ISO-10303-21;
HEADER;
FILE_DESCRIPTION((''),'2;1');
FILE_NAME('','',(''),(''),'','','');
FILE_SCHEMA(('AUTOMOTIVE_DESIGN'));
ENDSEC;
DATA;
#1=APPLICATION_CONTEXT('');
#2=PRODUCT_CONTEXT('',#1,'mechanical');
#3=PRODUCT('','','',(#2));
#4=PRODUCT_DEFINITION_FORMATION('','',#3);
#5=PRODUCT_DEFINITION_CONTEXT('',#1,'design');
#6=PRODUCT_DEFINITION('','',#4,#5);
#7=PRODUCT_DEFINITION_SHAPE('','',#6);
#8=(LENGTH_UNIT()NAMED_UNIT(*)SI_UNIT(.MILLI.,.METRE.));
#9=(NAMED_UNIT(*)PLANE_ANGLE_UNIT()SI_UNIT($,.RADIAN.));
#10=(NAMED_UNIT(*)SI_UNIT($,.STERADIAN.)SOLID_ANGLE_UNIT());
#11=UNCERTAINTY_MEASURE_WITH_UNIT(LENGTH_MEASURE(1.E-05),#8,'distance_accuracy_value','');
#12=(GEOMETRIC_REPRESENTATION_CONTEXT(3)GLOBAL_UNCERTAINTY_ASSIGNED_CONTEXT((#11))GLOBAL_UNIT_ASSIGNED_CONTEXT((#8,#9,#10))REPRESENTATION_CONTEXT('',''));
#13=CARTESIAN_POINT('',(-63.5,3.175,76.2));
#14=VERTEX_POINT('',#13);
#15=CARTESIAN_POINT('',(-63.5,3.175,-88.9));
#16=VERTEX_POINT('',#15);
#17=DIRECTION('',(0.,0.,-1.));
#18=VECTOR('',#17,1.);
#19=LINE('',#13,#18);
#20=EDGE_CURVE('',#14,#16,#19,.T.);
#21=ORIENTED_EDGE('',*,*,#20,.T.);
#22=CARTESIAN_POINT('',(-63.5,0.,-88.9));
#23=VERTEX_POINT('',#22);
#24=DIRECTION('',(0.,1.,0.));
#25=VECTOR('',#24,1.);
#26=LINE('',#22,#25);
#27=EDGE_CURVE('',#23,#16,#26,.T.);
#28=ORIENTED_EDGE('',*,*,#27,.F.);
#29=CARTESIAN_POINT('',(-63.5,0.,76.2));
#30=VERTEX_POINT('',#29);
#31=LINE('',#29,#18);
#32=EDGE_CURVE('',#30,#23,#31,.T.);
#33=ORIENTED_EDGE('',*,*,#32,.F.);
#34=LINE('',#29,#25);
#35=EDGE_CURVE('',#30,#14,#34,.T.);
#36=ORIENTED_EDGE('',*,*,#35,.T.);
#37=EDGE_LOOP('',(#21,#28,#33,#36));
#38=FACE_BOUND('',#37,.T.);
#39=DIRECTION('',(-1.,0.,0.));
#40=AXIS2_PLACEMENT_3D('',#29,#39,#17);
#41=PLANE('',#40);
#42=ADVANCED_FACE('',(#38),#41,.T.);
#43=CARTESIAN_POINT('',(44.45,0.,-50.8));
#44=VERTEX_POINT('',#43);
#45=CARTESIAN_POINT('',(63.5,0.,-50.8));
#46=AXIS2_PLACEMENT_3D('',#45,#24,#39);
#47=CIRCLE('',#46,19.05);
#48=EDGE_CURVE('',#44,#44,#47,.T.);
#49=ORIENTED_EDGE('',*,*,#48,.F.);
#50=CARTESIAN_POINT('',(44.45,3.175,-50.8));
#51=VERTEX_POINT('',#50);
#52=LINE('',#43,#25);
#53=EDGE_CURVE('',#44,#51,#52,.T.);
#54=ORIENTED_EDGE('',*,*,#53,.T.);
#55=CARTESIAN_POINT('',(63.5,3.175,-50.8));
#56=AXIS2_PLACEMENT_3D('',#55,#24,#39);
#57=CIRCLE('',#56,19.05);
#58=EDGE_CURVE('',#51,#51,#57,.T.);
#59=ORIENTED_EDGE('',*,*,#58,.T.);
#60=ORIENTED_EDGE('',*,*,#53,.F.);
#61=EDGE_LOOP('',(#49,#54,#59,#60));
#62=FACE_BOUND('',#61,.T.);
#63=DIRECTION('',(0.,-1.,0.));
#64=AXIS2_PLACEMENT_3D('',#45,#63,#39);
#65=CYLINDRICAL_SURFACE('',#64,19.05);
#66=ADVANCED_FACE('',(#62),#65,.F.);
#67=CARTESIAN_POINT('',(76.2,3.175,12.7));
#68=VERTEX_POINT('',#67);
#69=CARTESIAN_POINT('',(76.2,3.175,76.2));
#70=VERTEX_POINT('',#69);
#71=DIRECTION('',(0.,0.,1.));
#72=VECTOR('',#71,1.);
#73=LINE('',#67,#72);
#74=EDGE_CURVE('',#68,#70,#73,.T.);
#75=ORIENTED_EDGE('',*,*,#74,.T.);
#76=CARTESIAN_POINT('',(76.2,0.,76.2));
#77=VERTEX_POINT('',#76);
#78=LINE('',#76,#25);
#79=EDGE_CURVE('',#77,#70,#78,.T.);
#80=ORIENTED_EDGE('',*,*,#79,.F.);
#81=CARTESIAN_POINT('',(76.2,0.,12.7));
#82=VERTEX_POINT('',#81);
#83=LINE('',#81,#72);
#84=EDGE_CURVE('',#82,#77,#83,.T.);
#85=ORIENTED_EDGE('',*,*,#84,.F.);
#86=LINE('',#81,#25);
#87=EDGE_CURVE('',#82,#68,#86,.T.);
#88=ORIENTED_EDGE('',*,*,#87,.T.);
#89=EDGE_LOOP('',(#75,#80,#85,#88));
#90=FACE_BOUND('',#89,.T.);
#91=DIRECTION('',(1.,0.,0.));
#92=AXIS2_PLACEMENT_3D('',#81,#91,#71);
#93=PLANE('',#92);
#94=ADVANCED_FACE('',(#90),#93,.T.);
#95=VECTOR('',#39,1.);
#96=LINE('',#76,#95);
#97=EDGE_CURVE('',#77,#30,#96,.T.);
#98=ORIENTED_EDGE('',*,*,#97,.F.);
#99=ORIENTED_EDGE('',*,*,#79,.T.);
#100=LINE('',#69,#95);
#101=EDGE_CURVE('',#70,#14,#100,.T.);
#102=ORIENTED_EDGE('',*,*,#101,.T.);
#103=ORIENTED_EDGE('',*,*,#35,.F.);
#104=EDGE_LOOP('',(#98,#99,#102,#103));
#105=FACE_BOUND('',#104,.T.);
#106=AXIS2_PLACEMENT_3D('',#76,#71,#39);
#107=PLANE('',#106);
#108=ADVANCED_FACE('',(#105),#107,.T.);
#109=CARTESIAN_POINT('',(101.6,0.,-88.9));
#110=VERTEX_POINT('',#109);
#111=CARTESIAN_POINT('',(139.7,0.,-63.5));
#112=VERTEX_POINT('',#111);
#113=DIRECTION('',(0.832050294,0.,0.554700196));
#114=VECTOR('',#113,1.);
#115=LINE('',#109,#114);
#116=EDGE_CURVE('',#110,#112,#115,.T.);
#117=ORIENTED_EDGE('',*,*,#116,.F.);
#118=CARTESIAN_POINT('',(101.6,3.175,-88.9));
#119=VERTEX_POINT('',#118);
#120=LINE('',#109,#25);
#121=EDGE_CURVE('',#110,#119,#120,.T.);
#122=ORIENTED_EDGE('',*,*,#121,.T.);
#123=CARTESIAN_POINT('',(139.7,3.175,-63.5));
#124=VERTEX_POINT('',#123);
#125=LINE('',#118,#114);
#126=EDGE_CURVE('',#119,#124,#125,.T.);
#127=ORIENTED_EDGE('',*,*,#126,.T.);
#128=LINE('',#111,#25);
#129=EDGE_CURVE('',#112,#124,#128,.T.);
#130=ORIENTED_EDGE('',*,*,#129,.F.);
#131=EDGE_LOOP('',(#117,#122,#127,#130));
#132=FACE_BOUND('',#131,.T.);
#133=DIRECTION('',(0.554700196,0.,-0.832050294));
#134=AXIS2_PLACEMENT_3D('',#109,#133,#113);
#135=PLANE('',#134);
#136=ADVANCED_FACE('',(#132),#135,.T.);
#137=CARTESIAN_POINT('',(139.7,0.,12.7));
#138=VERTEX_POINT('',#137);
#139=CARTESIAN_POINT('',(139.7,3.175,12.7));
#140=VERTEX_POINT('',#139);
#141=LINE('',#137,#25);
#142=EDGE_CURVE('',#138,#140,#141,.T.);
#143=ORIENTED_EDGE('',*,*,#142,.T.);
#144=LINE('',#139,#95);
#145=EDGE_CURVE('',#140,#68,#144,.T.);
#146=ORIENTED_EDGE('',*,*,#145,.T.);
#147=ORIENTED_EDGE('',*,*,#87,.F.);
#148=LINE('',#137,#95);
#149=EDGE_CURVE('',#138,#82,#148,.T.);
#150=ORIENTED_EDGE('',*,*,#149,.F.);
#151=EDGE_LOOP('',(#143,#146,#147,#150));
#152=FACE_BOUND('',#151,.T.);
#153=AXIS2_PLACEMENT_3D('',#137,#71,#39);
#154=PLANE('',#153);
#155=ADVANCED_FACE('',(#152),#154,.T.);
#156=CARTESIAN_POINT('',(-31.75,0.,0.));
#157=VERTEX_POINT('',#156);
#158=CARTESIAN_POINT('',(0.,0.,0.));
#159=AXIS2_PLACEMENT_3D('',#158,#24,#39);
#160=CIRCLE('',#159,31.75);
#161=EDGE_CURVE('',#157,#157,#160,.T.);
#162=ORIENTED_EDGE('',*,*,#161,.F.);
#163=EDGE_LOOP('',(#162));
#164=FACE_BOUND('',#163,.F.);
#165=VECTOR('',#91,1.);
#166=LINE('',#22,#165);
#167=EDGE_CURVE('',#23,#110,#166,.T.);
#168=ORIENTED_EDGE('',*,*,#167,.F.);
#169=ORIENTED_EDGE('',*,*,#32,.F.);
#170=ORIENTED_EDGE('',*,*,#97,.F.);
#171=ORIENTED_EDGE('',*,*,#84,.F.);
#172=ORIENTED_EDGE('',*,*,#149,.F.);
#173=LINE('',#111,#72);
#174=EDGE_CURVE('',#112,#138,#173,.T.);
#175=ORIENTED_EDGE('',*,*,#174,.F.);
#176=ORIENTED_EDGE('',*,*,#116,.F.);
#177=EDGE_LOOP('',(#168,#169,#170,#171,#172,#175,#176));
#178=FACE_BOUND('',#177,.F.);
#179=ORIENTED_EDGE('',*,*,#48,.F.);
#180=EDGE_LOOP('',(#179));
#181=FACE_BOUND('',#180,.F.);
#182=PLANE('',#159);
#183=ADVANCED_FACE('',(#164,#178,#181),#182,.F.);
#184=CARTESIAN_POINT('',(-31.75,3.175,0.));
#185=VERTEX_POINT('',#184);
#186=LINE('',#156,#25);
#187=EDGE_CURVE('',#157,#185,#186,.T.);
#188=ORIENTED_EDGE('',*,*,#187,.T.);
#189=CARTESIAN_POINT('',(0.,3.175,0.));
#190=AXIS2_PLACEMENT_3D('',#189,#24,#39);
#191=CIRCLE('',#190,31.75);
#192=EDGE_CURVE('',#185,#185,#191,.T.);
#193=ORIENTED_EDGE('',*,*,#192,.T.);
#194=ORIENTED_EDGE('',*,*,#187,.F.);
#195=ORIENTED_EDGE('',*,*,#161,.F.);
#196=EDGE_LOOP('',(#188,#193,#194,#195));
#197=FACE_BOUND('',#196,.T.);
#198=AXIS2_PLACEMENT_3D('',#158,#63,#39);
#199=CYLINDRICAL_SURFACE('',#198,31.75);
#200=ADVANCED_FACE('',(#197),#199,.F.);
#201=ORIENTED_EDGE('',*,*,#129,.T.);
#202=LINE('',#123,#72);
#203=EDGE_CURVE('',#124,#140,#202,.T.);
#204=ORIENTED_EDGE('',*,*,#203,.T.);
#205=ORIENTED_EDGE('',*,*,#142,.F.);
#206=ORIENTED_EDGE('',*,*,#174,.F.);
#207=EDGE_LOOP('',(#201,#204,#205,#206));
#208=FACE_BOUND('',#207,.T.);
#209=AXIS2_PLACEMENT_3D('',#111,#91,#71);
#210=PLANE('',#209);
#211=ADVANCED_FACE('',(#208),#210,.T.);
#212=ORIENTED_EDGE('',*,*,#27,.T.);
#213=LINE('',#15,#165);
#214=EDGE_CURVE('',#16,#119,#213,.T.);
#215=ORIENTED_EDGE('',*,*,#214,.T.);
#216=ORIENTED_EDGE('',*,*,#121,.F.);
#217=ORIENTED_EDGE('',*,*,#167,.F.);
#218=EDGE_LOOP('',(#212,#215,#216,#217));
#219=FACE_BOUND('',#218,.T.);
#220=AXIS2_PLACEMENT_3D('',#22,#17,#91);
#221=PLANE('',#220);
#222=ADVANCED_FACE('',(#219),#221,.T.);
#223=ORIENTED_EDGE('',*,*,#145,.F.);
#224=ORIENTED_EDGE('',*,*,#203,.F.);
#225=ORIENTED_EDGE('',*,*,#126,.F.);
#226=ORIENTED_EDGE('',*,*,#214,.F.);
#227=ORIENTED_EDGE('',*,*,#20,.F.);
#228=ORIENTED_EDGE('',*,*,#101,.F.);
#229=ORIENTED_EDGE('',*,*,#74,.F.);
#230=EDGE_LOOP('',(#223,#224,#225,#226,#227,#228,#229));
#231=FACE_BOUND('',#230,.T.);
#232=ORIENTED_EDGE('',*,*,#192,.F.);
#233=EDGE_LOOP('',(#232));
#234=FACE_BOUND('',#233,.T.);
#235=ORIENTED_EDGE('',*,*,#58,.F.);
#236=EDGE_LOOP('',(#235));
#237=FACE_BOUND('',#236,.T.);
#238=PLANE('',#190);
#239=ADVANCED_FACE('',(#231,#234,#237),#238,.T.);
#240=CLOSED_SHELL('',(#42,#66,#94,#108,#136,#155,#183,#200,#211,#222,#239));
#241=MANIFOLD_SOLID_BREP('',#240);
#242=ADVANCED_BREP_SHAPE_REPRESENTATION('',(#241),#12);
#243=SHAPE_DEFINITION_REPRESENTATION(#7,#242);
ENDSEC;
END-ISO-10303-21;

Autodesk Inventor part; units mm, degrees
ref_plane "YZ Plane" through (0, 0, 0) normal (1, 0, 0) x (0, 1, 0)
ref_plane "XZ Plane" through (0, 0, 0) normal (0, 1, 0) x (-1, 0, 0)
ref_plane "XY Plane" through (0, 0, 0) normal (0, 0, 1) x (1, 0, 0)
sketch "Sketch1" plane through (0, 0, 0) normal (0, 1, 0) x (-1, 0, 0)
  circle A0 centre (0, 0) radius 31.75
  line L0 (-139.7, -63.5) -> (-139.7, 12.7)
  line L1 (-139.7, 12.7) -> (-76.2, 12.7)
  line L2 (-76.2, 12.7) -> (-76.2, 76.2)
  line L3 (-76.2, 76.2) -> (63.5, 76.2)
  line L4 (63.5, 76.2) -> (63.5, -88.9)
  line L5 (63.5, -88.9) -> (-101.6, -88.9)
  line L6 (-101.6, -88.9) -> (-139.7, -63.5)
  circle A1 centre (-63.5, -50.8) radius 19.05
  dimension "d0" = 127
  dimension "d1" = 165.1
  dimension "d2" = 63.5
  dimension "d3" = 76.2
  dimension "d4" = 63.5
  dimension "d5" = 63.5
  dimension "d6" = 139.7
  dimension "d7" = 38.1
  dimension "d8" = 165.1
  dimension "d9" = 203.2
  dimension "d10" = 63.5
  dimension "d11" = 38.1
extrude "Extrusion1" add sketch "Sketch1" along normal blind 3.175
properties part number "SpacerPlate_Cheese"
